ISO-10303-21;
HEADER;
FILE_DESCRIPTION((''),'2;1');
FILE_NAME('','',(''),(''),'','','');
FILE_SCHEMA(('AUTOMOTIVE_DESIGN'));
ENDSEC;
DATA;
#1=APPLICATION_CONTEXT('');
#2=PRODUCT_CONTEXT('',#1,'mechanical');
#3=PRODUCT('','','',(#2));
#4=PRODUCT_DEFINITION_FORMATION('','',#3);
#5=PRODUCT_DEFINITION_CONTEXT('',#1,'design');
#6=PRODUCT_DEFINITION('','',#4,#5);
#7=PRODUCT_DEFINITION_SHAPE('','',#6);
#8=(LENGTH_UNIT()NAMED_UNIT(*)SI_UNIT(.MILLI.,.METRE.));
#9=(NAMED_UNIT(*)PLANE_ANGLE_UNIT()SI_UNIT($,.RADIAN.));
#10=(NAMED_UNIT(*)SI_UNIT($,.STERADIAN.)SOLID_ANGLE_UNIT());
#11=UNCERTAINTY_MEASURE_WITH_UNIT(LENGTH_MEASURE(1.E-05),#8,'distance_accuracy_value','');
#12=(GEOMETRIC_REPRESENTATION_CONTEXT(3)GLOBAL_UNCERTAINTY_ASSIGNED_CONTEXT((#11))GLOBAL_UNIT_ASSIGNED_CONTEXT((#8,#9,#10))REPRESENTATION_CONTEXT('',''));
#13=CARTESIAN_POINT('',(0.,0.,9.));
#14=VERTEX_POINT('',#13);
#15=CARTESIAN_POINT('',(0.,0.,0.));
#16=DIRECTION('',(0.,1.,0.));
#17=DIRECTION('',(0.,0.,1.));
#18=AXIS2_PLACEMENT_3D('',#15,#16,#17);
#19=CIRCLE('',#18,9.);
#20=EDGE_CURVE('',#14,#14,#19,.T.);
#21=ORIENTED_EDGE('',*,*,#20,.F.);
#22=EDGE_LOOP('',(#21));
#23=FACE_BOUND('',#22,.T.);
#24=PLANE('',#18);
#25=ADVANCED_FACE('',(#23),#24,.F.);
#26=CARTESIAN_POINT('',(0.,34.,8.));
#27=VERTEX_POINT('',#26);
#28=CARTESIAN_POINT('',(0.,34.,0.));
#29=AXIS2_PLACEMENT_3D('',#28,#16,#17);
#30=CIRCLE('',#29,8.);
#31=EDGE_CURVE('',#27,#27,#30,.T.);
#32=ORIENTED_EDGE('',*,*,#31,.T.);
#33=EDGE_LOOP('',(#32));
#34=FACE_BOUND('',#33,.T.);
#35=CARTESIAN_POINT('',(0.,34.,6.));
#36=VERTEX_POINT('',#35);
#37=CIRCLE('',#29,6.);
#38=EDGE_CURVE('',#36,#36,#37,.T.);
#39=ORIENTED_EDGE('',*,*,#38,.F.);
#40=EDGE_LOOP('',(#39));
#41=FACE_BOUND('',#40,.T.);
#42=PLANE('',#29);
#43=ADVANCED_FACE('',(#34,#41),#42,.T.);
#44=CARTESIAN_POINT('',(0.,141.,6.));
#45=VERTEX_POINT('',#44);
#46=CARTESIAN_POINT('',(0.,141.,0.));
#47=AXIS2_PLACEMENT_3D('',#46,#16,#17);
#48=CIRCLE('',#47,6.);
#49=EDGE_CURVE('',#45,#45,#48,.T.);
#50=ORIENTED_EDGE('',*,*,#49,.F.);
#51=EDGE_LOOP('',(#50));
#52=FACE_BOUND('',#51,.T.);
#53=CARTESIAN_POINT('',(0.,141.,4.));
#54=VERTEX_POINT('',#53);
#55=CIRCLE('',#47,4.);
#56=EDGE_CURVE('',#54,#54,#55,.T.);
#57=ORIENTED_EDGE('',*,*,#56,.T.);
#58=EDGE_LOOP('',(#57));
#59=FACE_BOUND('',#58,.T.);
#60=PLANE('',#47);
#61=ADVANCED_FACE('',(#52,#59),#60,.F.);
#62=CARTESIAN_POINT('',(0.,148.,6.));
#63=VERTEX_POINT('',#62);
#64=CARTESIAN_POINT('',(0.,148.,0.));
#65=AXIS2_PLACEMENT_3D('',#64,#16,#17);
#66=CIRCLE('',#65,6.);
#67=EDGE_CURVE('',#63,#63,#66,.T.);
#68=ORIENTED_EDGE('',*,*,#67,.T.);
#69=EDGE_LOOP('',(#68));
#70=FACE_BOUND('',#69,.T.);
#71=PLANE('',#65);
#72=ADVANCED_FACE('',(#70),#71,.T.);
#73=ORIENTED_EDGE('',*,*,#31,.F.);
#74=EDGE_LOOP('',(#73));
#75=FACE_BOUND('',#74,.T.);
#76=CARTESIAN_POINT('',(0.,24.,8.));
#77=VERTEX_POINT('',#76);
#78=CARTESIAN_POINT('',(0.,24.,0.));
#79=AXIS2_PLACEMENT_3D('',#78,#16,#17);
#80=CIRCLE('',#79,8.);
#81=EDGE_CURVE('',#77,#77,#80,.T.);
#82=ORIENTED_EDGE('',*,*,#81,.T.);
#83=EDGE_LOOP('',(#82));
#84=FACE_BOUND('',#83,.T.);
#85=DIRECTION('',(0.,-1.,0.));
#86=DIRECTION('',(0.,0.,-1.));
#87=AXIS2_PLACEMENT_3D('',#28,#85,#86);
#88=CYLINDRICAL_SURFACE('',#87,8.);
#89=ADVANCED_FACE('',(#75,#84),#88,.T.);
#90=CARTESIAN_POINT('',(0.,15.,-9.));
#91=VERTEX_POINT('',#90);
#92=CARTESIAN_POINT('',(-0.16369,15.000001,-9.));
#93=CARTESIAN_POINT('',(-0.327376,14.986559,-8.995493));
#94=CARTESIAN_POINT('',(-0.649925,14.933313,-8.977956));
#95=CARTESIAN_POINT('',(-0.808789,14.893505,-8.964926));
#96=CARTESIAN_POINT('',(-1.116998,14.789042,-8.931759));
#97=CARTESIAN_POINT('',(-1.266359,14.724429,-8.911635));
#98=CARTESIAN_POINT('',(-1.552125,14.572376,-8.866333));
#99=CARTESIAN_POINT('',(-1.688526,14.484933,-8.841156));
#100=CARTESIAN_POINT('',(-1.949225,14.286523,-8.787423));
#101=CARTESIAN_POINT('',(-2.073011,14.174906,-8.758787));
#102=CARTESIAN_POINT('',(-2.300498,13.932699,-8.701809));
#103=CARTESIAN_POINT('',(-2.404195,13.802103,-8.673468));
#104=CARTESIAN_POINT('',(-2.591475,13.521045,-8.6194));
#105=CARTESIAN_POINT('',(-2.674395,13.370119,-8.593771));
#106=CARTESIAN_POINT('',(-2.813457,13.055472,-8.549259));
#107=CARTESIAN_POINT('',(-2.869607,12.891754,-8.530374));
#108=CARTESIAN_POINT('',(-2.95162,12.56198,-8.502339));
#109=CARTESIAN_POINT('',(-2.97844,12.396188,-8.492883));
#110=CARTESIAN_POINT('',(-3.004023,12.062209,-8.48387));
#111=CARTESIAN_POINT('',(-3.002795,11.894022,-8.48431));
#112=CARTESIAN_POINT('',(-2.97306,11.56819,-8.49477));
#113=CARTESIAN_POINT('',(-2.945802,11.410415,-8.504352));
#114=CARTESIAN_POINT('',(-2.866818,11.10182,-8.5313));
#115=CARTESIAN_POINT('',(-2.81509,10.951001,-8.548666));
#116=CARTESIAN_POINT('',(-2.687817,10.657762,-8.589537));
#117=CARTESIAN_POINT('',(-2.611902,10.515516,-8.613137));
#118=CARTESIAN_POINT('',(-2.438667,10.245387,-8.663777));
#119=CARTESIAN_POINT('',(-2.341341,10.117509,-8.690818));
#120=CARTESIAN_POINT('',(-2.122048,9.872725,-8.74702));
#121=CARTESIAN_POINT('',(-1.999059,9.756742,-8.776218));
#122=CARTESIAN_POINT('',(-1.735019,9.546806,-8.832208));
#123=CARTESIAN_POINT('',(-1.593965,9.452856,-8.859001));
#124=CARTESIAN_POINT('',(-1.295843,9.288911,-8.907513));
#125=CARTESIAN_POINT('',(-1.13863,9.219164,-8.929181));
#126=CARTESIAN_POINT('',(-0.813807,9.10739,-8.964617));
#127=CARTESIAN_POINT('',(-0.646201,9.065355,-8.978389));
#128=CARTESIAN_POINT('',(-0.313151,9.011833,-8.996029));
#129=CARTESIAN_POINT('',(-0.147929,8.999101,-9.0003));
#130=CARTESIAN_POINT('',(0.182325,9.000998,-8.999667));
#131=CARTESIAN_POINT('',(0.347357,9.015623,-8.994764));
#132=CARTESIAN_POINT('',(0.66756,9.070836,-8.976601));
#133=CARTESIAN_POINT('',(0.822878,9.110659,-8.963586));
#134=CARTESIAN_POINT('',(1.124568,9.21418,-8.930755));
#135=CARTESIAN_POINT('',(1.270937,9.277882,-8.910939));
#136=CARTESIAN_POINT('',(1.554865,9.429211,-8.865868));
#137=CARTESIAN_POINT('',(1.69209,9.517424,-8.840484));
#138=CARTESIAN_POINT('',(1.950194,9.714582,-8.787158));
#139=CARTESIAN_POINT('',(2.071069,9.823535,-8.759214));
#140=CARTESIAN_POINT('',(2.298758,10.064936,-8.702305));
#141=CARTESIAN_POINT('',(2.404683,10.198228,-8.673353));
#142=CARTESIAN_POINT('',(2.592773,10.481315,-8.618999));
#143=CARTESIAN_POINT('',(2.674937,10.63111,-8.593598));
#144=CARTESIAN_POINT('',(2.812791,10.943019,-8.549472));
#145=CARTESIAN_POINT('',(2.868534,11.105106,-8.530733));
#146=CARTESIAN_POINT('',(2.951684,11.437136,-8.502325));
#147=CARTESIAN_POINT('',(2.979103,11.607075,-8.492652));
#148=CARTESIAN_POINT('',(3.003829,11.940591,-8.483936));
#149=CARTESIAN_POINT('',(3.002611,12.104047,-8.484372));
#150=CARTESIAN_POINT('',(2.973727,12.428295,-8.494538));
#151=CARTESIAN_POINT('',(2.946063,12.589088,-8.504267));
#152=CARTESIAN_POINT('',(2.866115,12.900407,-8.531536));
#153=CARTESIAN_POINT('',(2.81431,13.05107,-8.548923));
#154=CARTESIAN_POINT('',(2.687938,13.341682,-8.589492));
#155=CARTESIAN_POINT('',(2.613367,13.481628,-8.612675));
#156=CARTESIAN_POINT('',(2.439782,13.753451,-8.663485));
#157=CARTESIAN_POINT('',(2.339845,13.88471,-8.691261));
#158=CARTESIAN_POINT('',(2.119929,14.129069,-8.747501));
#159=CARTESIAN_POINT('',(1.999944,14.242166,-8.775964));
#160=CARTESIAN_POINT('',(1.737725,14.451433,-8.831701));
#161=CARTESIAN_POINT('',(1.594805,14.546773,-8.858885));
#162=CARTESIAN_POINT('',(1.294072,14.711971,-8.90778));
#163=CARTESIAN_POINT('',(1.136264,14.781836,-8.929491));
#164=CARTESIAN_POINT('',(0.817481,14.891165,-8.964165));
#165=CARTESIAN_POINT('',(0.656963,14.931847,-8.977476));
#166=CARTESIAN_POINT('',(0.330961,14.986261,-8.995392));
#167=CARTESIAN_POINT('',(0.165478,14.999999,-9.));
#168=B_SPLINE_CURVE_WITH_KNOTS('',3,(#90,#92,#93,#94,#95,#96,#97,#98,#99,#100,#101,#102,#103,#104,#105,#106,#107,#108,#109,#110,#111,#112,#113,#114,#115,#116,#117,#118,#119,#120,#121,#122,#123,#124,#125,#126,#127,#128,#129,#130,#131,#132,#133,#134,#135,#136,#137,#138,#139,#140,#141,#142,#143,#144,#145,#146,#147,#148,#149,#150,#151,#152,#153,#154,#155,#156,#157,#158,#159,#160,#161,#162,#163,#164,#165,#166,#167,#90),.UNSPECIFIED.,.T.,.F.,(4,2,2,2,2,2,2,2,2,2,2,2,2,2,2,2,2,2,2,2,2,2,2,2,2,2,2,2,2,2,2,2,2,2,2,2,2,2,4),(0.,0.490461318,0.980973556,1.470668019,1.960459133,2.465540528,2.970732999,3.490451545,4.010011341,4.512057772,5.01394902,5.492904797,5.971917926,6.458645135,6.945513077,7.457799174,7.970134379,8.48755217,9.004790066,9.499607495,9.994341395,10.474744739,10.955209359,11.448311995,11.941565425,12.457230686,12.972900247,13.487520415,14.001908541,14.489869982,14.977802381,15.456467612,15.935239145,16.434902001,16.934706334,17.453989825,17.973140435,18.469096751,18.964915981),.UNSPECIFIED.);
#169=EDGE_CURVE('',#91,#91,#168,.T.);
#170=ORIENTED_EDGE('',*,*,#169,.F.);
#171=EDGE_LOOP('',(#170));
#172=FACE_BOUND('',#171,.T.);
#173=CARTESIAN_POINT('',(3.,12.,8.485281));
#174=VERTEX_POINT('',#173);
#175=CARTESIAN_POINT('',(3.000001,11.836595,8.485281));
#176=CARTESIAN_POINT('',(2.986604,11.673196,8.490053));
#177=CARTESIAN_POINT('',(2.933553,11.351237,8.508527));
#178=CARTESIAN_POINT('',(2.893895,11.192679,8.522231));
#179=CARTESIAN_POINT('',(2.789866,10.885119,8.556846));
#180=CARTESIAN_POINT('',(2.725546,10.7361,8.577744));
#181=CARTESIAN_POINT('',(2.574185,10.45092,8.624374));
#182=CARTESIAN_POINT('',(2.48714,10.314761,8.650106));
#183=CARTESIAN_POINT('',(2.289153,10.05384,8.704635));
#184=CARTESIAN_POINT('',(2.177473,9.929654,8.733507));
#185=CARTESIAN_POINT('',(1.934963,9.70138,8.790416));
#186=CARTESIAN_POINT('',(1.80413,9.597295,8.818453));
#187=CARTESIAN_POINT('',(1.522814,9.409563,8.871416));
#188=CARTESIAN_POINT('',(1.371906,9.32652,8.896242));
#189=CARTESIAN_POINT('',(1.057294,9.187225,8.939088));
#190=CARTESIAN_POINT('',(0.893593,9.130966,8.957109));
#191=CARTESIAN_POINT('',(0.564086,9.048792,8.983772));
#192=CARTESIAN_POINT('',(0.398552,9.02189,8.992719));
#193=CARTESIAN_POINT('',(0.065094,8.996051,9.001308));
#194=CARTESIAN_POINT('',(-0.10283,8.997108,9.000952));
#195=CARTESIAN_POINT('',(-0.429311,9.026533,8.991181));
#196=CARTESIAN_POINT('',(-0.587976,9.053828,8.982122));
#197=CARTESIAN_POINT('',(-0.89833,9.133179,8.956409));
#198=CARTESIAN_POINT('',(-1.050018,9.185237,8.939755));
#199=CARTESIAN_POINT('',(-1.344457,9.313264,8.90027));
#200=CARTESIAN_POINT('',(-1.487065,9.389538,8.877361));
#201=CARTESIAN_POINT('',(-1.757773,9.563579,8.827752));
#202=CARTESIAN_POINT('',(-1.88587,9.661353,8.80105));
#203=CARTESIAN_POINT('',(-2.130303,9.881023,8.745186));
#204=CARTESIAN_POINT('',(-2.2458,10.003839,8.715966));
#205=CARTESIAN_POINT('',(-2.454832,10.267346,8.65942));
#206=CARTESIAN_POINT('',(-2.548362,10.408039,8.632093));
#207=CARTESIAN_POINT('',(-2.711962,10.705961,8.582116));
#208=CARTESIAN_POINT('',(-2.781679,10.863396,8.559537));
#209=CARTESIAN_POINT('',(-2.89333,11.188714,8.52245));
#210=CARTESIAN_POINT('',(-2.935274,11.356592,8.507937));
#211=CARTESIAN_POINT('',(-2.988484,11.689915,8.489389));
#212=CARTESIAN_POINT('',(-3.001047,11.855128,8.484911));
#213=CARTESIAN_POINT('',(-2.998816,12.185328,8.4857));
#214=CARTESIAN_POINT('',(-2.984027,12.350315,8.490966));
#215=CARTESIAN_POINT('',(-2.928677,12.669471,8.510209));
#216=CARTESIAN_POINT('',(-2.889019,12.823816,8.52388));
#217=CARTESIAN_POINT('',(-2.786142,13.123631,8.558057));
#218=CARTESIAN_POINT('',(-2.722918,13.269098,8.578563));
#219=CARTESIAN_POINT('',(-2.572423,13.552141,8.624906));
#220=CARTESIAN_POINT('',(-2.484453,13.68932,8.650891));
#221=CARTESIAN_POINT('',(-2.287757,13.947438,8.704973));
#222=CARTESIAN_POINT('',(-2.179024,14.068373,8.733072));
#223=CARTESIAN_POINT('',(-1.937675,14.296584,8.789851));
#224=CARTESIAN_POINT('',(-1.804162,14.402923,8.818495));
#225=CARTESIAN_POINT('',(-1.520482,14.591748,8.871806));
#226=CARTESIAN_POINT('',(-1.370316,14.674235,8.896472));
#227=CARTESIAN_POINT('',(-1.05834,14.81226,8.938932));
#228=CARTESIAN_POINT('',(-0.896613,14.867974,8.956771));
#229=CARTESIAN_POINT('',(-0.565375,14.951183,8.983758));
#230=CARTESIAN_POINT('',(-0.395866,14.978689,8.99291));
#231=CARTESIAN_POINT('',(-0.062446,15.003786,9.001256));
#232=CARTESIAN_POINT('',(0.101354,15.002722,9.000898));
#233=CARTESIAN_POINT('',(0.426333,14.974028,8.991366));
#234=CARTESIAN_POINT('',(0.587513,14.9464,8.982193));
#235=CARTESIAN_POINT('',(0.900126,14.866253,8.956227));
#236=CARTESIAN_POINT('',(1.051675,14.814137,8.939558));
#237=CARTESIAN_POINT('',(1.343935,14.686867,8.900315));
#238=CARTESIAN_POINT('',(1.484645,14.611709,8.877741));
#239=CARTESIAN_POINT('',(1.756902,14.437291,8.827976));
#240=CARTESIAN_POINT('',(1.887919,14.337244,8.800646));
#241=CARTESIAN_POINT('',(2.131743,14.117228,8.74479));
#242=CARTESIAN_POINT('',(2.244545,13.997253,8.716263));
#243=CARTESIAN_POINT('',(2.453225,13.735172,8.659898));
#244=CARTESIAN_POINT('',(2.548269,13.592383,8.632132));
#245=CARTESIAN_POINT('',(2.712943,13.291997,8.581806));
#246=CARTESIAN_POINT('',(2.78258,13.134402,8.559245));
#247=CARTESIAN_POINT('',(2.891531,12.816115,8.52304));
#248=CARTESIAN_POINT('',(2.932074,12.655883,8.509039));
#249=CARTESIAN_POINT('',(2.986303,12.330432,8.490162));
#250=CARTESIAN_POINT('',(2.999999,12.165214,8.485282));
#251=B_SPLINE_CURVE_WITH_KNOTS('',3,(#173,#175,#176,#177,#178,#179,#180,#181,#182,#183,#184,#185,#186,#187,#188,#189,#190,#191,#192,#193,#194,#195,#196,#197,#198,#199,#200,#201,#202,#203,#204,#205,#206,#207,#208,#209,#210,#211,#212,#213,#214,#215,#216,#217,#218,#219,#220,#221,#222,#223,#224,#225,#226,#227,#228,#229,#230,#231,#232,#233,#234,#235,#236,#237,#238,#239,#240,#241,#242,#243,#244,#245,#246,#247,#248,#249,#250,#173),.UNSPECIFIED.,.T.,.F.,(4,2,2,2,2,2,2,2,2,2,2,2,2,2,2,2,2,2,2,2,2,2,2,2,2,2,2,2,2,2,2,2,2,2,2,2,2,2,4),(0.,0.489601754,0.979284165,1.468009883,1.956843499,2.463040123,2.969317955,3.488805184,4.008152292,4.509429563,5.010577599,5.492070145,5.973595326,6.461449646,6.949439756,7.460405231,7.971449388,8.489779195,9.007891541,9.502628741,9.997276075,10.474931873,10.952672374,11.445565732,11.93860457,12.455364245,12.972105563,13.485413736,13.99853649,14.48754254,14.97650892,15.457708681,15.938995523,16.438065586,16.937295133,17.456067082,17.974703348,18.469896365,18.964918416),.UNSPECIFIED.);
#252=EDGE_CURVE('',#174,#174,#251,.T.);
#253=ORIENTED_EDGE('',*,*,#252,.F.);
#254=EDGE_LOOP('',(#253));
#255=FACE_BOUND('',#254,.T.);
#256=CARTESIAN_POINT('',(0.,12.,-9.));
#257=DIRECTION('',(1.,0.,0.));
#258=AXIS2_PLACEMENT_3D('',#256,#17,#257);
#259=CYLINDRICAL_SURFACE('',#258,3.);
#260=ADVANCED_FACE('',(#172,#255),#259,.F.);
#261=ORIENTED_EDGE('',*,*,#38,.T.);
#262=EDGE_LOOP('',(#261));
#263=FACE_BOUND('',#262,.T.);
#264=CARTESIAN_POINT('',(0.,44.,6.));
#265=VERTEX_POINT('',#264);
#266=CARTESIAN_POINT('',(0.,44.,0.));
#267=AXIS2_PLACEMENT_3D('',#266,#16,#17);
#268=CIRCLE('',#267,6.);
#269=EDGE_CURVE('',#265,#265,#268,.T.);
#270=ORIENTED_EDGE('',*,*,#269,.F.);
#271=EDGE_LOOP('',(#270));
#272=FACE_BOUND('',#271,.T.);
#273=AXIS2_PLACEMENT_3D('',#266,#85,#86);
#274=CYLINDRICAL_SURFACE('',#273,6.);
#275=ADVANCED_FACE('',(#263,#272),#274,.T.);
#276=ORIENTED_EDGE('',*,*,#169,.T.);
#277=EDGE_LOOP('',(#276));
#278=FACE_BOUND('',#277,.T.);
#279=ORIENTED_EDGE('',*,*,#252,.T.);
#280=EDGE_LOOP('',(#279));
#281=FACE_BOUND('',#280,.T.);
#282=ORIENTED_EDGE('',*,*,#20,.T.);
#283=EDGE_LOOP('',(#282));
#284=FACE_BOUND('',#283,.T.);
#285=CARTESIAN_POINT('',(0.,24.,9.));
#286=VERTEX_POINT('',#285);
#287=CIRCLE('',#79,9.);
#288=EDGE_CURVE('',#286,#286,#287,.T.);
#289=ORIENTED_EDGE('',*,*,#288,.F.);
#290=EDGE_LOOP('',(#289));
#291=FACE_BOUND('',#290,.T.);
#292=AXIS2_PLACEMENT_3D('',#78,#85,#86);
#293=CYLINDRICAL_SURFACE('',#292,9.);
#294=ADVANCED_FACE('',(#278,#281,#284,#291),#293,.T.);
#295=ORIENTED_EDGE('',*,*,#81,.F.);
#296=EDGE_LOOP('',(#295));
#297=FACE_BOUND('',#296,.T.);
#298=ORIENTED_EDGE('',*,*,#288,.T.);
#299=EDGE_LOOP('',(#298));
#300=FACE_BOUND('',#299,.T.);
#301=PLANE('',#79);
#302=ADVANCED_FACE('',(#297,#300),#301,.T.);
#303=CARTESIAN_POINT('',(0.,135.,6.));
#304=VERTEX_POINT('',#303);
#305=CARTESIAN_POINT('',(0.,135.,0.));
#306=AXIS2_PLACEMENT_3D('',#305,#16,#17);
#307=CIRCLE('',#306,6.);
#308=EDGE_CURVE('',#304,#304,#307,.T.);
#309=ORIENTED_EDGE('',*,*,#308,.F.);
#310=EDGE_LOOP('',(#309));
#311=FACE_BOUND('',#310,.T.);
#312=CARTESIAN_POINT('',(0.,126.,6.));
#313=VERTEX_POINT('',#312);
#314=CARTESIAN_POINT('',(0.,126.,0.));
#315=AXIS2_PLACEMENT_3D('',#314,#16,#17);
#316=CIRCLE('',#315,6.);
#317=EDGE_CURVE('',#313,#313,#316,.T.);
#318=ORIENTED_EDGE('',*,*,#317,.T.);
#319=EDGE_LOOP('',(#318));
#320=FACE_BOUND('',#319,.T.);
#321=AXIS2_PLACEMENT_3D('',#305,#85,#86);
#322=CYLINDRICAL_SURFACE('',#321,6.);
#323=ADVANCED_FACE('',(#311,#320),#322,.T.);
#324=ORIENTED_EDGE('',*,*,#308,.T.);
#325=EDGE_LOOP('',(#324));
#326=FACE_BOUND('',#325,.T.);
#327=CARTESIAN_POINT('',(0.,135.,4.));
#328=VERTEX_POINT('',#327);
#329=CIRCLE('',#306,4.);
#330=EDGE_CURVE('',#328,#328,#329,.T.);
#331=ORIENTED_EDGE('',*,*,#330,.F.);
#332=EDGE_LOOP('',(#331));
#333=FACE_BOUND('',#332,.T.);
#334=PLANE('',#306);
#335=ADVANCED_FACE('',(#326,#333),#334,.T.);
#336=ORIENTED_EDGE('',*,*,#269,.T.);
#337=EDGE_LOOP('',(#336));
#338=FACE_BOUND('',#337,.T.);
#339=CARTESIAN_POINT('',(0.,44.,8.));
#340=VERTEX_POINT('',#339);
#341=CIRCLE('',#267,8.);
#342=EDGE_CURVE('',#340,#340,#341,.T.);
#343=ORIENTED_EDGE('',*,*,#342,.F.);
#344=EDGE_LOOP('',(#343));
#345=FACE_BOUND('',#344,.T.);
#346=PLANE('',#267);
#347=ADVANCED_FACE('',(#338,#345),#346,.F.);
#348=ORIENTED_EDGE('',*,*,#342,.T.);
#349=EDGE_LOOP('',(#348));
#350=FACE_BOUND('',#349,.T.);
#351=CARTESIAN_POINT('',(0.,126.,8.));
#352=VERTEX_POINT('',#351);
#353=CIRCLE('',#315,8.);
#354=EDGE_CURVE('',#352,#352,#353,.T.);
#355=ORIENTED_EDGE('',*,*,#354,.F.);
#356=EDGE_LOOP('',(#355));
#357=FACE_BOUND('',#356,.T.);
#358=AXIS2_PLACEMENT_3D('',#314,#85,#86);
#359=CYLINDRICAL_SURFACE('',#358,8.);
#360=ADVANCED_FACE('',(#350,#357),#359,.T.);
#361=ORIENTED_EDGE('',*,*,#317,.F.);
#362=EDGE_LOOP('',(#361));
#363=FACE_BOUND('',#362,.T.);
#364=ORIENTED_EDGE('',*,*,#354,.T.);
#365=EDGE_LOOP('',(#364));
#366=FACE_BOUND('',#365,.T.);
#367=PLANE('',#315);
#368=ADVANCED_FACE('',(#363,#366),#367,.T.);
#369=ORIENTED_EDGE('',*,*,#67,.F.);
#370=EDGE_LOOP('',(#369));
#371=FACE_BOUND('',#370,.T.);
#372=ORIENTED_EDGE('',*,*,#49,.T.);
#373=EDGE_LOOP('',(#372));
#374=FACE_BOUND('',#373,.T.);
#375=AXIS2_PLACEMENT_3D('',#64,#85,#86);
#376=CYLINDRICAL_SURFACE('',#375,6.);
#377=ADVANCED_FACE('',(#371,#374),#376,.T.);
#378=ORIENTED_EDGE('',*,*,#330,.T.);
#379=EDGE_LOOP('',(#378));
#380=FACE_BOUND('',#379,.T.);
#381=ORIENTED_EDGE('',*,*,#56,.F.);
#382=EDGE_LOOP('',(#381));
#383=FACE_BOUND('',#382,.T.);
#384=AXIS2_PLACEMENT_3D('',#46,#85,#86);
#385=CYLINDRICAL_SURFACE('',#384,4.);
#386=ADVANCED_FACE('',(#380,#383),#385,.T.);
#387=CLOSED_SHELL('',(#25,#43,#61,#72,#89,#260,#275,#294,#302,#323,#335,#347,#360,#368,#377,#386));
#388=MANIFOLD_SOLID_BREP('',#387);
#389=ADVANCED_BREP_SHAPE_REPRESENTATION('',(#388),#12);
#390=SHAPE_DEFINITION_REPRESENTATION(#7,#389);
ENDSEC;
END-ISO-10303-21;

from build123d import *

# Parameters (mm, degrees)
SKETCH1_R               = 9
BOSS_EXTRUDE1_DEPTH     = 24
SKETCH2_R               = 8
BOSS_EXTRUDE2_DEPTH     = 10
SKETCH3_R               = 6
BOSS_EXTRUDE3_DEPTH     = 10
SKETCH4_R               = 8
BOSS_EXTRUDE4_DEPTH     = 82
SKETCH5_R               = 6
BOSS_EXTRUDE5_DEPTH     = 9
SKETCH6_R               = 4
BOSS_EXTRUDE6_DEPTH     = 6
SKETCH7_R               = 6
BOSS_EXTRUDE7_DEPTH     = 7
SKETCH8_R               = 3
CUT_EXTRUDE1_DEPTH      = 10
CUT_EXTRUDE1_DEPTH_BACK = 10


with BuildPart() as part:
    # Sketch1 → Boss-Extrude1 (new body)
    with BuildSketch(Plane(origin=(0, 0, 0), x_dir=(1, 0, 0), z_dir=(0, 1, 0))):
        Circle(SKETCH1_R)
    extrude(amount=BOSS_EXTRUDE1_DEPTH)

    # Sketch2 → Boss-Extrude2 (add)
    with BuildSketch(Plane(origin=(0, 24, 0), x_dir=(1, 0, 0), z_dir=(0, 1, 0))):
        Circle(SKETCH2_R)
    extrude(amount=BOSS_EXTRUDE2_DEPTH)

    # Sketch3 → Boss-Extrude3 (add)
    with BuildSketch(Plane(origin=(0, 34, 0), x_dir=(1, 0, 0), z_dir=(0, 1, 0))):
        Circle(SKETCH3_R)
    extrude(amount=BOSS_EXTRUDE3_DEPTH)

    # Sketch4 → Boss-Extrude4 (add)
    with BuildSketch(Plane(origin=(0, 44, 0), x_dir=(1, 0, 0), z_dir=(0, 1, 0))):
        Circle(SKETCH4_R)
    extrude(amount=BOSS_EXTRUDE4_DEPTH)

    # Sketch5 → Boss-Extrude5 (add)
    with BuildSketch(Plane(origin=(0, 126, 0), x_dir=(1, 0, 0), z_dir=(0, 1, 0))):
        Circle(SKETCH5_R)
    extrude(amount=BOSS_EXTRUDE5_DEPTH)

    # Sketch6 → Boss-Extrude6 (add)
    with BuildSketch(Plane(origin=(0, 135, 0), x_dir=(1, 0, 0), z_dir=(0, 1, 0))):
        Circle(SKETCH6_R)
    extrude(amount=BOSS_EXTRUDE6_DEPTH)

    # Sketch7 → Boss-Extrude7 (add)
    with BuildSketch(Plane(origin=(0, 141, 0), x_dir=(1, 0, 0), z_dir=(0, 1, 0))):
        Circle(SKETCH7_R)
    extrude(amount=BOSS_EXTRUDE7_DEPTH)

    # Sketch8 → Cut-Extrude1 (cut, two sides)
    with BuildSketch(Plane.XY) as cut_extrude1_sk:
        with Locations((0, 12)):
            Circle(SKETCH8_R)
    extrude(amount=CUT_EXTRUDE1_DEPTH, mode=Mode.SUBTRACT)
    extrude(cut_extrude1_sk.sketch, amount=-CUT_EXTRUDE1_DEPTH_BACK, mode=Mode.SUBTRACT)


solid = part.part
